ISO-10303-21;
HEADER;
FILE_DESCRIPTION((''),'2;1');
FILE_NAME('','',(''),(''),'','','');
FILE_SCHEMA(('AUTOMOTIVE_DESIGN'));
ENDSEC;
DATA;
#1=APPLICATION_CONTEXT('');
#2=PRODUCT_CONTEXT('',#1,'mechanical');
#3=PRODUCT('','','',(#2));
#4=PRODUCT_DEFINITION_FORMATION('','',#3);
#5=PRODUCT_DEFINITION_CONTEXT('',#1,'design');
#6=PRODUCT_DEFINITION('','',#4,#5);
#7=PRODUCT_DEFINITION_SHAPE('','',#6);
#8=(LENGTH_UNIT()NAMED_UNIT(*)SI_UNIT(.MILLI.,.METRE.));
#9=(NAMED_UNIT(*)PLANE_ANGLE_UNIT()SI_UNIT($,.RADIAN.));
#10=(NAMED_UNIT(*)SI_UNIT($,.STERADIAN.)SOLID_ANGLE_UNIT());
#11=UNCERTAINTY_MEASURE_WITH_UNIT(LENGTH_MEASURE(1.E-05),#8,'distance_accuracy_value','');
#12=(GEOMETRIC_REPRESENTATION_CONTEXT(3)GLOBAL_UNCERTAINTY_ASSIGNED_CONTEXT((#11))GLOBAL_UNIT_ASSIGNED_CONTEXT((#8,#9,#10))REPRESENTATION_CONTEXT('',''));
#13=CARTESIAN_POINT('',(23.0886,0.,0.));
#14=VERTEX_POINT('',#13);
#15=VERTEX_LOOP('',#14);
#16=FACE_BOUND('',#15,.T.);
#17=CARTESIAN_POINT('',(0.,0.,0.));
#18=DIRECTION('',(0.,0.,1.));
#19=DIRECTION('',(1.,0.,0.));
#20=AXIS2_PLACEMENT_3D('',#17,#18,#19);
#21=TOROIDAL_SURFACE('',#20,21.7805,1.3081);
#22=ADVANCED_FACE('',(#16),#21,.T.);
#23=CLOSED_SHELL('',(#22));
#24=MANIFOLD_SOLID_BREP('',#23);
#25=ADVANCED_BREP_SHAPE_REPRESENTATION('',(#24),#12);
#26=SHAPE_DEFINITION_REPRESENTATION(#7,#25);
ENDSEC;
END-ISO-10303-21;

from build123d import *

# Parameters (mm, degrees)
SKETCH1_R = 1.3081


with BuildPart() as part:
    # Sketch1 → Revolve1 (revolve)
    with BuildSketch(Plane(origin=(0, 0, 0), x_dir=(0, -1, 0), z_dir=(1, 0, 0))):
        with Locations((21.7805, 0)):
            Circle(SKETCH1_R)
    revolve(axis=Axis((0, 0, 1.3081), (0, 0, -1)))


solid = part.part
